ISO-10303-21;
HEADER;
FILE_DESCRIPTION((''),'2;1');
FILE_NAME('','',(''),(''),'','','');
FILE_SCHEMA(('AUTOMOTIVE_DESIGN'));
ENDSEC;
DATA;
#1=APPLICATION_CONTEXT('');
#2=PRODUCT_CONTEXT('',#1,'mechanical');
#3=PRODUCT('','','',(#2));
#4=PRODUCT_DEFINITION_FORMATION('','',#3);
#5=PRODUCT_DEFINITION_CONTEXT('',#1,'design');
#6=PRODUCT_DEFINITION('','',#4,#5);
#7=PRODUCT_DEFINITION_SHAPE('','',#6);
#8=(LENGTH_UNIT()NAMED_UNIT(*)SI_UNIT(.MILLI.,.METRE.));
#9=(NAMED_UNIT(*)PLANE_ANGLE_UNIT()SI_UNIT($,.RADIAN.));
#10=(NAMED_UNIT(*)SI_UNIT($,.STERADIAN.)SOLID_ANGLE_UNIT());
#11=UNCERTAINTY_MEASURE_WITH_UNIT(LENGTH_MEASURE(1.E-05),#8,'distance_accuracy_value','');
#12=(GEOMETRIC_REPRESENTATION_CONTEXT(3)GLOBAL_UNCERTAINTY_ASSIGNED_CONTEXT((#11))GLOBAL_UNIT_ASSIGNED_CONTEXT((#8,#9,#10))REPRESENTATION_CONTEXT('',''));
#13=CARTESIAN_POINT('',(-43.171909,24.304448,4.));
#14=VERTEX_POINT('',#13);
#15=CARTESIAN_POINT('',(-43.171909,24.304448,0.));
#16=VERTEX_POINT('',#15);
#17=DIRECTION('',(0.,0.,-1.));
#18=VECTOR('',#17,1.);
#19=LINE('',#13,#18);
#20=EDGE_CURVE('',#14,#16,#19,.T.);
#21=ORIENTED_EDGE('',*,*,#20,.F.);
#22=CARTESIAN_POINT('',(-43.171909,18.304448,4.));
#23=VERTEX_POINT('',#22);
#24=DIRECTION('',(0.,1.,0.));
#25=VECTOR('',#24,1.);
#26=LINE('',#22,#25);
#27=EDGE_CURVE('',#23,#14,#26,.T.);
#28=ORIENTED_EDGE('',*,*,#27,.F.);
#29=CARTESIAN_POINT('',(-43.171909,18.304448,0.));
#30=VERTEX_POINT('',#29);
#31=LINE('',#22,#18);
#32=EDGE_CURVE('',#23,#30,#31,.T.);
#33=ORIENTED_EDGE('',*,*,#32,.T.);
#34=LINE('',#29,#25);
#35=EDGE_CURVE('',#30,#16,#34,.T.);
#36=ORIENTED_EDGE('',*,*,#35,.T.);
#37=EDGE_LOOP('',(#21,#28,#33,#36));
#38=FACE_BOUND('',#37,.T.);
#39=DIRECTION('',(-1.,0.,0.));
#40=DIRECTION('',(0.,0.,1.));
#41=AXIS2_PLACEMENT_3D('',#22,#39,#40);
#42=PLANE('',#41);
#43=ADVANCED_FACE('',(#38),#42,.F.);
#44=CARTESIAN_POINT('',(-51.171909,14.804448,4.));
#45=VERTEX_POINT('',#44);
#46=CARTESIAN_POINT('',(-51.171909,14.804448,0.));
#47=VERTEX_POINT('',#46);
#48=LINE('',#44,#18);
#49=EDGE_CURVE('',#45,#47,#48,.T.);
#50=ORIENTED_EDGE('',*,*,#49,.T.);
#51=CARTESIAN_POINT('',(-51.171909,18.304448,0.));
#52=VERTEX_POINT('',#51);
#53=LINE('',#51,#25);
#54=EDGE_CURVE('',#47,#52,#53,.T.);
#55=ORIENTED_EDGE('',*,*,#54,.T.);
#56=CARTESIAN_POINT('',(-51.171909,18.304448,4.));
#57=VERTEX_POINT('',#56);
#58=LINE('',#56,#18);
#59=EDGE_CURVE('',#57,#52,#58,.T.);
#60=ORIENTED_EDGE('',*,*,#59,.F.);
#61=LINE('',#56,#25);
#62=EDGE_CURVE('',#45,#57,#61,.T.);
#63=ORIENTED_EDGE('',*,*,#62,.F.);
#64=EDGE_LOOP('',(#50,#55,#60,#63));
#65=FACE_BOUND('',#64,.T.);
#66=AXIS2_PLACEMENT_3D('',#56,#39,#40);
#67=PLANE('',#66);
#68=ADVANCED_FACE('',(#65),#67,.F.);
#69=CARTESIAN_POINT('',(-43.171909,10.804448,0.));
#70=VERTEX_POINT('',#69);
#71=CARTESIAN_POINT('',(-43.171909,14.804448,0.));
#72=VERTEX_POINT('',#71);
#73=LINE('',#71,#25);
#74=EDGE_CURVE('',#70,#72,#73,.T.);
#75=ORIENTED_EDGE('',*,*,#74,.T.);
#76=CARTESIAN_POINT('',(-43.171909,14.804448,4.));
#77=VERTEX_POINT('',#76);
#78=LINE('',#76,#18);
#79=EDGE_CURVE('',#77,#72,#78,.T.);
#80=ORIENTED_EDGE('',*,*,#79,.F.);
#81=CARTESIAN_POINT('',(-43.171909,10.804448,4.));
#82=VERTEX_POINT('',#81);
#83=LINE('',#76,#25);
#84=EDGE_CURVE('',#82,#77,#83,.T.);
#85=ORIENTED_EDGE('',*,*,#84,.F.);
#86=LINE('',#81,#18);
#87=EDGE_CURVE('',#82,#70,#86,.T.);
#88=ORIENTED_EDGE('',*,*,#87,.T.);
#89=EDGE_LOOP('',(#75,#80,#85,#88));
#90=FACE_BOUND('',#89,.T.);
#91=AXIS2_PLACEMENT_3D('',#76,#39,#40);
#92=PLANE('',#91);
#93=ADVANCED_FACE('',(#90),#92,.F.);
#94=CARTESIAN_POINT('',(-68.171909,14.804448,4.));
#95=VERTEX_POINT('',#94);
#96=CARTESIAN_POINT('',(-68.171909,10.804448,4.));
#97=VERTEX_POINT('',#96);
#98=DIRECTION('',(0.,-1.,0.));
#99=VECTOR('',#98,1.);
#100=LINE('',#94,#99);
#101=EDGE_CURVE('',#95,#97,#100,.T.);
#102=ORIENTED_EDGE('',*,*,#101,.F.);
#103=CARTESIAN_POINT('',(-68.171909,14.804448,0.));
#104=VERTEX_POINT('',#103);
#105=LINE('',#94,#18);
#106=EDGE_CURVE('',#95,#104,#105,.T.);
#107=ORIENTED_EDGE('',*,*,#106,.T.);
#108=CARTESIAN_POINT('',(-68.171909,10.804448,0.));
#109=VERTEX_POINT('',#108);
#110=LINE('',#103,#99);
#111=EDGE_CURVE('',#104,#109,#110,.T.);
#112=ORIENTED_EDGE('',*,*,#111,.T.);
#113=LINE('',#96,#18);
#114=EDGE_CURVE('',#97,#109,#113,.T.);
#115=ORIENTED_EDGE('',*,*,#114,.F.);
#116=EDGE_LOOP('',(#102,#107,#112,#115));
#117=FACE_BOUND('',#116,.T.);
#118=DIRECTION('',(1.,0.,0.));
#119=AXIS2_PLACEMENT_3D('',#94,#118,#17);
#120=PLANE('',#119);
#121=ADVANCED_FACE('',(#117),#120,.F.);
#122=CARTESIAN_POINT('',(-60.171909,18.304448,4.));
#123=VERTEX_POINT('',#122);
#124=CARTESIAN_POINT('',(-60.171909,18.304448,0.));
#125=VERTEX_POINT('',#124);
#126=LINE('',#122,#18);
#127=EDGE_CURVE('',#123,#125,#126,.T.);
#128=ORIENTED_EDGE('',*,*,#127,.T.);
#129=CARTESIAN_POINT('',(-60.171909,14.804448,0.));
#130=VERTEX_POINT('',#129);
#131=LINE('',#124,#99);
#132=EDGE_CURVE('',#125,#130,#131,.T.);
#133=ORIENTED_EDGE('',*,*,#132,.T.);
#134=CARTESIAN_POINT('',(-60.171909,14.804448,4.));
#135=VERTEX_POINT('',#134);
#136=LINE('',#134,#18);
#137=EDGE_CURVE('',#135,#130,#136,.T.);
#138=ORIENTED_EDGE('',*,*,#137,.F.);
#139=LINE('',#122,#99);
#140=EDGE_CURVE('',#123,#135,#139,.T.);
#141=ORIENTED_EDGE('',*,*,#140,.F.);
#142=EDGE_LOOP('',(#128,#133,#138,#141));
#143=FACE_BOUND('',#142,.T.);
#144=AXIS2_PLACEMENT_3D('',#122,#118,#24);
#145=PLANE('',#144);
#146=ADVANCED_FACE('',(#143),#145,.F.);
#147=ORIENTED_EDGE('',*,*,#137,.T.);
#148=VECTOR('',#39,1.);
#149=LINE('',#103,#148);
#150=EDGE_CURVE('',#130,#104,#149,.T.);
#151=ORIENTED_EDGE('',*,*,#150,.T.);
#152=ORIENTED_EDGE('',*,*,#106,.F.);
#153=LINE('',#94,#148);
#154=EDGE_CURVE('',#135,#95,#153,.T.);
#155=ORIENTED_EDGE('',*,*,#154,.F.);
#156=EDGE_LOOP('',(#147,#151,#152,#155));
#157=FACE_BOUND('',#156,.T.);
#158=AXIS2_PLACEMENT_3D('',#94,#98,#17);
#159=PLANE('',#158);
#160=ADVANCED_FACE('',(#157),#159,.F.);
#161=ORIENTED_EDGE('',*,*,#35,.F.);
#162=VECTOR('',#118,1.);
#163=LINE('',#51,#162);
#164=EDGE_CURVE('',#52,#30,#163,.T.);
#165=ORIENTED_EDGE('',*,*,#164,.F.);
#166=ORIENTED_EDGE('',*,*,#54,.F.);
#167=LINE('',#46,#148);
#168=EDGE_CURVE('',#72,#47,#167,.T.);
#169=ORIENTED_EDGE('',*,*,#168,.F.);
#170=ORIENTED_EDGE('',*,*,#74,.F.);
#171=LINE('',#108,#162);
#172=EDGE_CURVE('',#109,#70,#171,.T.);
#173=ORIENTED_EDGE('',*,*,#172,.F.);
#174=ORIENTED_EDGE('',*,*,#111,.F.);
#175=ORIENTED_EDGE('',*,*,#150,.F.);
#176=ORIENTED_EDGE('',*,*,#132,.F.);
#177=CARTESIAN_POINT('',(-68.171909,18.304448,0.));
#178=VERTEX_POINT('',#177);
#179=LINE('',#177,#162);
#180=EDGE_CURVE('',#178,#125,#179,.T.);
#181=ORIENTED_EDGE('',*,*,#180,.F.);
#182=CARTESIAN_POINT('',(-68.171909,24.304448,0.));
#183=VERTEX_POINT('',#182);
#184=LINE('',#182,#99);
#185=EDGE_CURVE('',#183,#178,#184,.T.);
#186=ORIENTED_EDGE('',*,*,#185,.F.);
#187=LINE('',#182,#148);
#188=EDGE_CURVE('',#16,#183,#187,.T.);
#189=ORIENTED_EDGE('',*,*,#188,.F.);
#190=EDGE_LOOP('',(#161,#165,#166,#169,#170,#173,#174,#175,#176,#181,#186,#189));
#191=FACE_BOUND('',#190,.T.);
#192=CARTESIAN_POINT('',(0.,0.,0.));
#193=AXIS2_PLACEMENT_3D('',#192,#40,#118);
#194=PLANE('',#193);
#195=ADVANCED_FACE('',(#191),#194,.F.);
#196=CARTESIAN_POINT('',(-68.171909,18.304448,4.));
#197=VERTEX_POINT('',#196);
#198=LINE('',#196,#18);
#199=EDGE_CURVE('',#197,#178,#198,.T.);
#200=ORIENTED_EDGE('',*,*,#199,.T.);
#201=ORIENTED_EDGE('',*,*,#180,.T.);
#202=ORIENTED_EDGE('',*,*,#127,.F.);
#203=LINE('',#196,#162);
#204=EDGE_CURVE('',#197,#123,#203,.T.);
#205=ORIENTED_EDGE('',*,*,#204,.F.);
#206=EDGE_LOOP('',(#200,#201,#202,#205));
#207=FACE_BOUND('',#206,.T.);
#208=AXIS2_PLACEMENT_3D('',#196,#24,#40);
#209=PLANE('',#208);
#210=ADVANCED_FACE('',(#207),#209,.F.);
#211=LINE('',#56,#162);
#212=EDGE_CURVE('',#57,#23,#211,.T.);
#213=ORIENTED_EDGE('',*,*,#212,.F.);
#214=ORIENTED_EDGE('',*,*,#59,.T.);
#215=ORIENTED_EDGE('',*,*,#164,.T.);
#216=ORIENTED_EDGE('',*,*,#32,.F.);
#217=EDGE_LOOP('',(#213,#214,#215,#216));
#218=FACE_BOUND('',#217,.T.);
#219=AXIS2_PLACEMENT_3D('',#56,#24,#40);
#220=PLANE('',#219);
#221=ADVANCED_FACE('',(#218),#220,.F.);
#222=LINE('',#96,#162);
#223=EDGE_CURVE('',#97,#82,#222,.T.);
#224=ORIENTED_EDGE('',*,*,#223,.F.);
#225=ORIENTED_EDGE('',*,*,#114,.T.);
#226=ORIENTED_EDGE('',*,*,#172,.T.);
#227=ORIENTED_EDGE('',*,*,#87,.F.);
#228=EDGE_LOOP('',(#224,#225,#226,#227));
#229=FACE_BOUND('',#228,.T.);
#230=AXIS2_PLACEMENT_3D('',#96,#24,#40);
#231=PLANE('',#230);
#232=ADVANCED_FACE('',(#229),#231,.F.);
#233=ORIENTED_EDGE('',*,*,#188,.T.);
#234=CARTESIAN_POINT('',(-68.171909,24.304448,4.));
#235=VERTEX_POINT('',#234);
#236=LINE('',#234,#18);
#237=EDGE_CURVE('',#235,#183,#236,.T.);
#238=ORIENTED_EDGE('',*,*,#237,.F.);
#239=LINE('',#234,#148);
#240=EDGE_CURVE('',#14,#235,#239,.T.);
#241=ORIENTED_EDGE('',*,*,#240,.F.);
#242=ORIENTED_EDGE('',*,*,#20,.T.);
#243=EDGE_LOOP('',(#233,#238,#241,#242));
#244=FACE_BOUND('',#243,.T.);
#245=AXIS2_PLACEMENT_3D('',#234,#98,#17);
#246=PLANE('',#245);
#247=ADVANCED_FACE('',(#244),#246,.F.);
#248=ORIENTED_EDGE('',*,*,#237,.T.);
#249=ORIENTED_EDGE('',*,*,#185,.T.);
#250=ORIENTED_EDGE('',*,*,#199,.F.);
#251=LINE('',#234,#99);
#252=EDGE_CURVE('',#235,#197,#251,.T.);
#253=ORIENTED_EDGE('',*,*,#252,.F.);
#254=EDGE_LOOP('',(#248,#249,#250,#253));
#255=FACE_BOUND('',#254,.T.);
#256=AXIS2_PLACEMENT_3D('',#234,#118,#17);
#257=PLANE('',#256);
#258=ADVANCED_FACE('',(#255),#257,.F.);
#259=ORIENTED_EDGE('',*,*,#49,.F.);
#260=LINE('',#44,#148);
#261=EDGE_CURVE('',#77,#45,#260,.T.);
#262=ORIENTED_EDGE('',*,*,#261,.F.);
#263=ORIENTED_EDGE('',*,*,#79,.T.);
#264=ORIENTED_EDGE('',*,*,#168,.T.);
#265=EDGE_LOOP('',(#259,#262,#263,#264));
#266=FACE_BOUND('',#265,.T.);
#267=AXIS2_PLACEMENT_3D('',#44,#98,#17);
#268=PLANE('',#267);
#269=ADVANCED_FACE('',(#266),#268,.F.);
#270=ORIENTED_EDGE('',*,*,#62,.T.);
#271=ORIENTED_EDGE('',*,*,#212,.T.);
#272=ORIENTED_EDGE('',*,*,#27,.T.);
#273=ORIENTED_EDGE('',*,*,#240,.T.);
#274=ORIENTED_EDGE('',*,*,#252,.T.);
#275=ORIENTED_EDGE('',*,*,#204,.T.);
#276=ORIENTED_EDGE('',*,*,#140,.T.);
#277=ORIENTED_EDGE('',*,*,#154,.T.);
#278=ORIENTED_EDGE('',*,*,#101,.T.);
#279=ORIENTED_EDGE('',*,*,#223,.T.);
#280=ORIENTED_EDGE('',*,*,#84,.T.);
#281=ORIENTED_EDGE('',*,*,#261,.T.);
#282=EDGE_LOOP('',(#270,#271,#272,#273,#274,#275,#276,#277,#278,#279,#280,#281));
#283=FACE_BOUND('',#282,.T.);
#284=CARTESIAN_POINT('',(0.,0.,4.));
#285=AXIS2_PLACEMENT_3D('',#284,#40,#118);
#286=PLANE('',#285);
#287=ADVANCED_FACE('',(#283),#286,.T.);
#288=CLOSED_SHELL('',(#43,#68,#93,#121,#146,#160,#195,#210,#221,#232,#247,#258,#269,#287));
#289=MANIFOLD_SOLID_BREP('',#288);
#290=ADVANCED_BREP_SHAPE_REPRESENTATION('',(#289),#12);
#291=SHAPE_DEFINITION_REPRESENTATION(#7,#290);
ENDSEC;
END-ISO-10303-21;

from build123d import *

# Parameters (mm, degrees)
BOSS_EXTRUDE1_DEPTH = 4


with BuildPart() as part:
    # Sketch1 → Boss-Extrude1 (new body)
    with BuildSketch(Plane.XY):
        Polygon((-68.171908981, 24.304447885), (-43.171908981, 24.304447885), (-43.171908981, 18.304447885), (-51.171908981, 18.304447885), (-51.171908981, 14.804447885), (-43.171908981, 14.804447885), (-43.171908981, 10.804447885), (-68.171908981, 10.804447885), (-68.171908981, 14.804447885), (-60.171908981, 14.804447885), (-60.171908981, 18.304447885), (-68.171908981, 18.304447885), align=None)
    extrude(amount=BOSS_EXTRUDE1_DEPTH)


solid = part.part
